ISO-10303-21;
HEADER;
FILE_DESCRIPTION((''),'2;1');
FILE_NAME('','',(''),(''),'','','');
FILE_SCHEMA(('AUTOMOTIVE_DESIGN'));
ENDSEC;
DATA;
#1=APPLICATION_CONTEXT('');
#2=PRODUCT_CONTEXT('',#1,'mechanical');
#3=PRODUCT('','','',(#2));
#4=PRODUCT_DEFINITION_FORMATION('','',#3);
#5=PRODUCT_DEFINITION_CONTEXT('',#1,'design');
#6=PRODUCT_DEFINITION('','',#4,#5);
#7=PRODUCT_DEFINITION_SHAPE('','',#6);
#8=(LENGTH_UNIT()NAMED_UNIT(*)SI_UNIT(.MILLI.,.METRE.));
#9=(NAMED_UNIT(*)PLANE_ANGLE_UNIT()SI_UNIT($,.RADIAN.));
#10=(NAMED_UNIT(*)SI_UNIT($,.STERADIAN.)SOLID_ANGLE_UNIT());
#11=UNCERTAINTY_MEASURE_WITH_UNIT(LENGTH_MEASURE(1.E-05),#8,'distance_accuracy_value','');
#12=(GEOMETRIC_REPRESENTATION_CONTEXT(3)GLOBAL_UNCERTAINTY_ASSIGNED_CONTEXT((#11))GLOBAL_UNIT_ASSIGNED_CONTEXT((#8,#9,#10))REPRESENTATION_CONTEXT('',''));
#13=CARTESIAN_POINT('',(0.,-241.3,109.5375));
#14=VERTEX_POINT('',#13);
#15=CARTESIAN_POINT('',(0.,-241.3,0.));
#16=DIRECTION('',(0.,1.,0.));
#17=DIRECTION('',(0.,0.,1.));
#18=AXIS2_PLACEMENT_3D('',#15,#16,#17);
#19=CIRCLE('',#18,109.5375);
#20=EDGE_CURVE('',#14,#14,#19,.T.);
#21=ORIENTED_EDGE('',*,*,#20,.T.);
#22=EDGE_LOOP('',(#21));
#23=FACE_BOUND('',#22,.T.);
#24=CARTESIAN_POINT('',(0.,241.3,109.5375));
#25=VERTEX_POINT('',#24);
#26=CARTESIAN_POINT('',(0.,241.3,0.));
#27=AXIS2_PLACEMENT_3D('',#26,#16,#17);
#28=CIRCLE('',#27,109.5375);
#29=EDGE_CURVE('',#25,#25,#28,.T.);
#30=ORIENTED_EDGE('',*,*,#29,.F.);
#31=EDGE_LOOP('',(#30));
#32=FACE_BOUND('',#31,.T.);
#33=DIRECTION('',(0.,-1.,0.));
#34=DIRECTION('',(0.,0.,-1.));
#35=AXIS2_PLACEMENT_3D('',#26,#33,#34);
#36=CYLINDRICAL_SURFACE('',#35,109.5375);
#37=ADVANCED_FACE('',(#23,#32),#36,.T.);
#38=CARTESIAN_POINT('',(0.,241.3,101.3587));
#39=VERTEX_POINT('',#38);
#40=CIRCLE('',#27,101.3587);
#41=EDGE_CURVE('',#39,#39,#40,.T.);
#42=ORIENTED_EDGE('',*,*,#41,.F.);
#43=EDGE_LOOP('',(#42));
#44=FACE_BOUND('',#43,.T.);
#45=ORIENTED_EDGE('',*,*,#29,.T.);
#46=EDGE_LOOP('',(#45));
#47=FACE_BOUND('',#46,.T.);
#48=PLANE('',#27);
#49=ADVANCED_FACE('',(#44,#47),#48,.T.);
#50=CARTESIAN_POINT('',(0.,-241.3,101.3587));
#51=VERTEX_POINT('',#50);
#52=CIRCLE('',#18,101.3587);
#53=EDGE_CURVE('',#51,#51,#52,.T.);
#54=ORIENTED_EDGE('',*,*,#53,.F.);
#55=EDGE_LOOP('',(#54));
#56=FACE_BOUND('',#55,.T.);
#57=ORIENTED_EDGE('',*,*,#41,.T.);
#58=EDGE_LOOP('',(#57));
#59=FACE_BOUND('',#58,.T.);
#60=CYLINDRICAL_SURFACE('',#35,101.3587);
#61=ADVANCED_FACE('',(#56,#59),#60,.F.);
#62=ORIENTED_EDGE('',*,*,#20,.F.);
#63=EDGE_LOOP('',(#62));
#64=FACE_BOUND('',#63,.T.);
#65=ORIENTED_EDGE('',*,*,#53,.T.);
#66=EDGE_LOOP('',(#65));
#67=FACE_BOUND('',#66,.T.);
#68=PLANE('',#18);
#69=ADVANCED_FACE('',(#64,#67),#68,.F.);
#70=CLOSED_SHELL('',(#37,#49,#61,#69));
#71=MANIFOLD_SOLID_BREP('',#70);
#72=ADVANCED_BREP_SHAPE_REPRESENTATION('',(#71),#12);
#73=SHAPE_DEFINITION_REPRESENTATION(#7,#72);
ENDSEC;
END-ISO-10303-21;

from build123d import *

# Parameters (mm, degrees)
SKETCH1_R      = 109.5375
SKETCH1_R_2    = 101.3587
EXTRUDE1_DEPTH = 241.3


with BuildPart() as part:
    # Sketch1 → Extrude1 (new body, symmetric)
    with BuildSketch(Plane(origin=(0, 0, 0), x_dir=(1, 0, 0), z_dir=(0, 1, 0))):
        Circle(SKETCH1_R)
        Circle(SKETCH1_R_2, mode=Mode.SUBTRACT)
    extrude(amount=EXTRUDE1_DEPTH, both=True)


solid = part.part
